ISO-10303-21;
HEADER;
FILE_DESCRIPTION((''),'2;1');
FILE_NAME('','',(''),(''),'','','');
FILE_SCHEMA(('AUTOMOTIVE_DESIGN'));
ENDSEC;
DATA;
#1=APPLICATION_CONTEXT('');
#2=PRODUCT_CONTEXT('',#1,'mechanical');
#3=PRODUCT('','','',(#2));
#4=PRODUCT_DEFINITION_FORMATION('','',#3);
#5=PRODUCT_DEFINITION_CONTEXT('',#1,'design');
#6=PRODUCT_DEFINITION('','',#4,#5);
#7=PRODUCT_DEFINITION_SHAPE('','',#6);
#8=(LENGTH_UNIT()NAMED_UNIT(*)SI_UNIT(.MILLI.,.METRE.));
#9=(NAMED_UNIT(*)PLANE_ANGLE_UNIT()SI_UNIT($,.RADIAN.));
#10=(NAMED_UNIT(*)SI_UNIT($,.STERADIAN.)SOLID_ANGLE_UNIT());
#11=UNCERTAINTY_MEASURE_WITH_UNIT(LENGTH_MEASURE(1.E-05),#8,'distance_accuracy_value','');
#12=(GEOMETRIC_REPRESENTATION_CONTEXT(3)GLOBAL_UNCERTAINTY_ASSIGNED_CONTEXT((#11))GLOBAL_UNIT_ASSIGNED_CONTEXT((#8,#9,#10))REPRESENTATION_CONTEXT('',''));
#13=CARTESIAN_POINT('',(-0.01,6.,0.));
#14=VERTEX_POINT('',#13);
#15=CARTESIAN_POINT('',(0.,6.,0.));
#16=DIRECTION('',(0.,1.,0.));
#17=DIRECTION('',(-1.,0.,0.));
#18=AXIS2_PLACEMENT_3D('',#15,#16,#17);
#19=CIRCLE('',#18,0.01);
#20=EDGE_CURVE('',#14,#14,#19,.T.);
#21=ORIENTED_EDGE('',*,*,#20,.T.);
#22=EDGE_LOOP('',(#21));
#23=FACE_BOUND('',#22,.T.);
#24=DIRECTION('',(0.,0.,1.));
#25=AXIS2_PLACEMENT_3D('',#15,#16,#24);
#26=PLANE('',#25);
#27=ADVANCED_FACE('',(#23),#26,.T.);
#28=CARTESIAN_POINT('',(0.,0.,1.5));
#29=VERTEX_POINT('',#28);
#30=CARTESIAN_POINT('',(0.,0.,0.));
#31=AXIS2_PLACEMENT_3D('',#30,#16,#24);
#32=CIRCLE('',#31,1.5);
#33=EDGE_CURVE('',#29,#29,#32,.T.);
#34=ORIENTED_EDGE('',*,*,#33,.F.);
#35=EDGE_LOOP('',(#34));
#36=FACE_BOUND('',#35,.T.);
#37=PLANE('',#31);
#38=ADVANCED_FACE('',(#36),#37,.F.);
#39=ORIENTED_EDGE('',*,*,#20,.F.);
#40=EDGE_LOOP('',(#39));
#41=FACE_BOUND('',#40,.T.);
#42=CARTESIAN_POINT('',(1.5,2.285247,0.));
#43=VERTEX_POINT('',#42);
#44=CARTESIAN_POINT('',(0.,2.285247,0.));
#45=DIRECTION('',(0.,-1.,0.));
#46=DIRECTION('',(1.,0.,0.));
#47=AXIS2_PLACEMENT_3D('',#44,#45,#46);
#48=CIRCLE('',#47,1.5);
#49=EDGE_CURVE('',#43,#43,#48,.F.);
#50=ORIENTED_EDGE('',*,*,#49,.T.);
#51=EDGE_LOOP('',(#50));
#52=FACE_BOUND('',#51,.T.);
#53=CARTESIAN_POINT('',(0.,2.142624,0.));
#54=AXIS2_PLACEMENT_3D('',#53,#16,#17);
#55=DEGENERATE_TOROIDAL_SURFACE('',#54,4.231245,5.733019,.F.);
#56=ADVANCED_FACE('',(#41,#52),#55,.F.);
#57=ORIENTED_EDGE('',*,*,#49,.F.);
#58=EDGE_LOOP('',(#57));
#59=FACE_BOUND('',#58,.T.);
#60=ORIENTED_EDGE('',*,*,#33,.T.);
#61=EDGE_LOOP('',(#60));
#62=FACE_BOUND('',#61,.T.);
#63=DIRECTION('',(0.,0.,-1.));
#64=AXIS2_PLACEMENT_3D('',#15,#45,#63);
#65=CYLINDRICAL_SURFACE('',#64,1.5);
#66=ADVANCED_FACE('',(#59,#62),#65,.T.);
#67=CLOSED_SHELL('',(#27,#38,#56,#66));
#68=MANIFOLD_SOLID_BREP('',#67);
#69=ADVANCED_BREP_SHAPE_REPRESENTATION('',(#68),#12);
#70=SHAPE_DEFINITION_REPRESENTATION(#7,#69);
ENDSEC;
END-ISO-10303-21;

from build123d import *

# Parameters (mm, degrees)
SKETCH1_R           = 1.5
BOSS_EXTRUDE1_DEPTH = 6


with BuildPart() as part:
    # Sketch1 → Boss-Extrude1 (new body)
    with BuildSketch(Plane(origin=(0, 0, 0), x_dir=(1, 0, 0), z_dir=(0, 1, 0))):
        with Locations(Location((0, 0, 0), (0, 0, 270))):
            Circle(SKETCH1_R)
    extrude(amount=BOSS_EXTRUDE1_DEPTH)

    # Sketch2 → Cut-Revolve2 (revolve, cut)
    with BuildSketch(Plane.XY):
        with BuildLine():
            Line((1.5, 2), (1.669062556, 2))
            Line((1.669062556, 2), (1.669062556, 6.084715674))
            Line((1.669062556, 6.084715674), (0.01, 6.084715674))
            Line((0.01, 6.084715674), (0.01, 6))
            ThreePointArc((0.01, 6), (1.141151028, 4.143841258), (1.5, 2))
        make_face()
    revolve(axis=Axis((0, 6, 0), (0, -1, 0)), mode=Mode.SUBTRACT)


solid = part.part
